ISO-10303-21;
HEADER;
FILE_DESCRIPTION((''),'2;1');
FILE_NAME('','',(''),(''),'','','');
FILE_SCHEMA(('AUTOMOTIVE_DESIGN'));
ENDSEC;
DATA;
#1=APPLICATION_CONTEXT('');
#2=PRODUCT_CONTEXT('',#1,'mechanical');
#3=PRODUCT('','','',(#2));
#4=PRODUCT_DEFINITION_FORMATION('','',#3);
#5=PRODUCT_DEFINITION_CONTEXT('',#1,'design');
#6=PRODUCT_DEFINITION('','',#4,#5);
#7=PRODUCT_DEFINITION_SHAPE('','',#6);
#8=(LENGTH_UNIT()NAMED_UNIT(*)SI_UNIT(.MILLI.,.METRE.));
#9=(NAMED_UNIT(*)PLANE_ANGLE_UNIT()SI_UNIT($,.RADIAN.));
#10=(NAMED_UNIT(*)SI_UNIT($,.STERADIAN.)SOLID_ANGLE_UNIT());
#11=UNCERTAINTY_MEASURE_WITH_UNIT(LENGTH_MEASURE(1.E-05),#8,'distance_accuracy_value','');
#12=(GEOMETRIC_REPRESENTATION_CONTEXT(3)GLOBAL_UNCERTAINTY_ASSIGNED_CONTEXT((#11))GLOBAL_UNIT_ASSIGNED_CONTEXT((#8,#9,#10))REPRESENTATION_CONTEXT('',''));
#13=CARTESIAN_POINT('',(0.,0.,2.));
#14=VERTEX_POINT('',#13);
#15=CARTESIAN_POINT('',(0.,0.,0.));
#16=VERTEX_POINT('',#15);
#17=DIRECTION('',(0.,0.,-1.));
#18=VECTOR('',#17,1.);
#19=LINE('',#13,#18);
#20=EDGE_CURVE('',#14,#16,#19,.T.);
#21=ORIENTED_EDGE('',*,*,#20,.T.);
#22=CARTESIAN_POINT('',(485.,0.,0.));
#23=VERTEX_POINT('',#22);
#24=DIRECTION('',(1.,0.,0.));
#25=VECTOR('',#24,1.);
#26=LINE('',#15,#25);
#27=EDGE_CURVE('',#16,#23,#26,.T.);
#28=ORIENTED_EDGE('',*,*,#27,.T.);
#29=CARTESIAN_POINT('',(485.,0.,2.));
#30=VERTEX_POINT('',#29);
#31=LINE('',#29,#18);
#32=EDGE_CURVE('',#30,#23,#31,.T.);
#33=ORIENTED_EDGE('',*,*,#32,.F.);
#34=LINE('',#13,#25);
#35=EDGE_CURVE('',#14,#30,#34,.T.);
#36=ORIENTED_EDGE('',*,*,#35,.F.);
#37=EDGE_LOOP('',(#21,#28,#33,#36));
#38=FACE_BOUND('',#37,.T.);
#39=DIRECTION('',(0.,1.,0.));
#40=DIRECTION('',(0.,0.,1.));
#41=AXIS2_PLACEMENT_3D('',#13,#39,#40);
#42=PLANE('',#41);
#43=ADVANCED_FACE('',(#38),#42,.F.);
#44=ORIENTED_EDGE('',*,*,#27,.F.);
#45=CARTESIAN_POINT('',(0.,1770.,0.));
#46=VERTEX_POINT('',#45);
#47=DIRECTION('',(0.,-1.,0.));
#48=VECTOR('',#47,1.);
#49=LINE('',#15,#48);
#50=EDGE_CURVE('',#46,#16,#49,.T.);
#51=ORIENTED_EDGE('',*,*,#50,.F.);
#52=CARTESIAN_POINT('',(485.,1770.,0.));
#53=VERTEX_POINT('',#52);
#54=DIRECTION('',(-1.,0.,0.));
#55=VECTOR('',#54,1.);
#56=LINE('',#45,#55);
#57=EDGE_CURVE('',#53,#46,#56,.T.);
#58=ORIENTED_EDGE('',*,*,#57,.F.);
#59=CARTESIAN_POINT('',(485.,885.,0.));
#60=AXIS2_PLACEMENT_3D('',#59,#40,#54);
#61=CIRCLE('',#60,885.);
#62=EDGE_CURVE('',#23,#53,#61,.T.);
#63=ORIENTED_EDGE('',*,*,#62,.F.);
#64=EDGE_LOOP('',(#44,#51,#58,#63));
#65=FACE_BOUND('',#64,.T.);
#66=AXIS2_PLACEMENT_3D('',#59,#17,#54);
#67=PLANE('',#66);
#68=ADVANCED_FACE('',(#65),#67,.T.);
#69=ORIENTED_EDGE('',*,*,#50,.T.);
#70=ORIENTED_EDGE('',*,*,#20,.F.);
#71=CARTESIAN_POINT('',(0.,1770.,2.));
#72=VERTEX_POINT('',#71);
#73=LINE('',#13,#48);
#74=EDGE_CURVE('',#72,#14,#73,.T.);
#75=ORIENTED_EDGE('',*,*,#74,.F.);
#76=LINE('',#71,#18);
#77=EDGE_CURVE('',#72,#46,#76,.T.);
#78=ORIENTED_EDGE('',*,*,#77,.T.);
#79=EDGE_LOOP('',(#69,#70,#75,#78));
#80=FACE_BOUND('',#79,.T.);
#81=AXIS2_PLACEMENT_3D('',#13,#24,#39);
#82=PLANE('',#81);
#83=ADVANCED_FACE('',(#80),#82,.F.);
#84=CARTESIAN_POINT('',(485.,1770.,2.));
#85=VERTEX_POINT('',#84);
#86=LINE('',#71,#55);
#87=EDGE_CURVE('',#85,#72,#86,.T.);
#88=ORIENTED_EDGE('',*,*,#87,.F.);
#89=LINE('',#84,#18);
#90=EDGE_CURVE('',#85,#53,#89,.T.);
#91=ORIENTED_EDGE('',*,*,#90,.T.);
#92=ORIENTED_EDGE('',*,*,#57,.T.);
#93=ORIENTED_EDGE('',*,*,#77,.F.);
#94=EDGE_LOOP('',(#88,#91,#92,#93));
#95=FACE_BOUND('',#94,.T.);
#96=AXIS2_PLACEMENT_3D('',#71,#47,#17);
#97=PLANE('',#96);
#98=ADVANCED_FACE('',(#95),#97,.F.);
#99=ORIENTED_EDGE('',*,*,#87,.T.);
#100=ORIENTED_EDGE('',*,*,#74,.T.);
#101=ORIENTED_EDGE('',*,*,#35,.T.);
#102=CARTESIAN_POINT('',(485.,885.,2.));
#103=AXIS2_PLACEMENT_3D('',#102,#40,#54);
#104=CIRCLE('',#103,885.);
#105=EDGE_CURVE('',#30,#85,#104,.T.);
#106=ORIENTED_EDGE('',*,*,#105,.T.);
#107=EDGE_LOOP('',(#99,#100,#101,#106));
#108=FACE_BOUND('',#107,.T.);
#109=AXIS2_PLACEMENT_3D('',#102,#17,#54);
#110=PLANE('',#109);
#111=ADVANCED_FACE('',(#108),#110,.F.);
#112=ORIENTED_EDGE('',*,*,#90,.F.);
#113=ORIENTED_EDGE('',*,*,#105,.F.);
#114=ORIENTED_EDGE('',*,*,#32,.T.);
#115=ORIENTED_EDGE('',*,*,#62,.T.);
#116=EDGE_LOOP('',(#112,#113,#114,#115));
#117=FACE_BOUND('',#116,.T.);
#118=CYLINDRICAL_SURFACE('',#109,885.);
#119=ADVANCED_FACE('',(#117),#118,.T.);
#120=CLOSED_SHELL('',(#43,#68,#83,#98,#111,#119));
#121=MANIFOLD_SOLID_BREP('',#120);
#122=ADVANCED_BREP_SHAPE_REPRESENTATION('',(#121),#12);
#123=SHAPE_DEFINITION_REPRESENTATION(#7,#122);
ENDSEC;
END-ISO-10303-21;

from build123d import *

# Parameters (mm, degrees)
BOSS_EXTRUDE1_DEPTH = 2


with BuildPart() as part:
    # Sketch1 → Boss-Extrude1 (new body)
    with BuildSketch(Plane.XY):
        with BuildLine():
            Line((0, 0), (485, 0))
            ThreePointArc((485, 0), (1370, 885), (485, 1770))
            Line((485, 1770), (0, 1770))
            Line((0, 1770), (0, 0))
        make_face()
    extrude(amount=BOSS_EXTRUDE1_DEPTH)


solid = part.part
